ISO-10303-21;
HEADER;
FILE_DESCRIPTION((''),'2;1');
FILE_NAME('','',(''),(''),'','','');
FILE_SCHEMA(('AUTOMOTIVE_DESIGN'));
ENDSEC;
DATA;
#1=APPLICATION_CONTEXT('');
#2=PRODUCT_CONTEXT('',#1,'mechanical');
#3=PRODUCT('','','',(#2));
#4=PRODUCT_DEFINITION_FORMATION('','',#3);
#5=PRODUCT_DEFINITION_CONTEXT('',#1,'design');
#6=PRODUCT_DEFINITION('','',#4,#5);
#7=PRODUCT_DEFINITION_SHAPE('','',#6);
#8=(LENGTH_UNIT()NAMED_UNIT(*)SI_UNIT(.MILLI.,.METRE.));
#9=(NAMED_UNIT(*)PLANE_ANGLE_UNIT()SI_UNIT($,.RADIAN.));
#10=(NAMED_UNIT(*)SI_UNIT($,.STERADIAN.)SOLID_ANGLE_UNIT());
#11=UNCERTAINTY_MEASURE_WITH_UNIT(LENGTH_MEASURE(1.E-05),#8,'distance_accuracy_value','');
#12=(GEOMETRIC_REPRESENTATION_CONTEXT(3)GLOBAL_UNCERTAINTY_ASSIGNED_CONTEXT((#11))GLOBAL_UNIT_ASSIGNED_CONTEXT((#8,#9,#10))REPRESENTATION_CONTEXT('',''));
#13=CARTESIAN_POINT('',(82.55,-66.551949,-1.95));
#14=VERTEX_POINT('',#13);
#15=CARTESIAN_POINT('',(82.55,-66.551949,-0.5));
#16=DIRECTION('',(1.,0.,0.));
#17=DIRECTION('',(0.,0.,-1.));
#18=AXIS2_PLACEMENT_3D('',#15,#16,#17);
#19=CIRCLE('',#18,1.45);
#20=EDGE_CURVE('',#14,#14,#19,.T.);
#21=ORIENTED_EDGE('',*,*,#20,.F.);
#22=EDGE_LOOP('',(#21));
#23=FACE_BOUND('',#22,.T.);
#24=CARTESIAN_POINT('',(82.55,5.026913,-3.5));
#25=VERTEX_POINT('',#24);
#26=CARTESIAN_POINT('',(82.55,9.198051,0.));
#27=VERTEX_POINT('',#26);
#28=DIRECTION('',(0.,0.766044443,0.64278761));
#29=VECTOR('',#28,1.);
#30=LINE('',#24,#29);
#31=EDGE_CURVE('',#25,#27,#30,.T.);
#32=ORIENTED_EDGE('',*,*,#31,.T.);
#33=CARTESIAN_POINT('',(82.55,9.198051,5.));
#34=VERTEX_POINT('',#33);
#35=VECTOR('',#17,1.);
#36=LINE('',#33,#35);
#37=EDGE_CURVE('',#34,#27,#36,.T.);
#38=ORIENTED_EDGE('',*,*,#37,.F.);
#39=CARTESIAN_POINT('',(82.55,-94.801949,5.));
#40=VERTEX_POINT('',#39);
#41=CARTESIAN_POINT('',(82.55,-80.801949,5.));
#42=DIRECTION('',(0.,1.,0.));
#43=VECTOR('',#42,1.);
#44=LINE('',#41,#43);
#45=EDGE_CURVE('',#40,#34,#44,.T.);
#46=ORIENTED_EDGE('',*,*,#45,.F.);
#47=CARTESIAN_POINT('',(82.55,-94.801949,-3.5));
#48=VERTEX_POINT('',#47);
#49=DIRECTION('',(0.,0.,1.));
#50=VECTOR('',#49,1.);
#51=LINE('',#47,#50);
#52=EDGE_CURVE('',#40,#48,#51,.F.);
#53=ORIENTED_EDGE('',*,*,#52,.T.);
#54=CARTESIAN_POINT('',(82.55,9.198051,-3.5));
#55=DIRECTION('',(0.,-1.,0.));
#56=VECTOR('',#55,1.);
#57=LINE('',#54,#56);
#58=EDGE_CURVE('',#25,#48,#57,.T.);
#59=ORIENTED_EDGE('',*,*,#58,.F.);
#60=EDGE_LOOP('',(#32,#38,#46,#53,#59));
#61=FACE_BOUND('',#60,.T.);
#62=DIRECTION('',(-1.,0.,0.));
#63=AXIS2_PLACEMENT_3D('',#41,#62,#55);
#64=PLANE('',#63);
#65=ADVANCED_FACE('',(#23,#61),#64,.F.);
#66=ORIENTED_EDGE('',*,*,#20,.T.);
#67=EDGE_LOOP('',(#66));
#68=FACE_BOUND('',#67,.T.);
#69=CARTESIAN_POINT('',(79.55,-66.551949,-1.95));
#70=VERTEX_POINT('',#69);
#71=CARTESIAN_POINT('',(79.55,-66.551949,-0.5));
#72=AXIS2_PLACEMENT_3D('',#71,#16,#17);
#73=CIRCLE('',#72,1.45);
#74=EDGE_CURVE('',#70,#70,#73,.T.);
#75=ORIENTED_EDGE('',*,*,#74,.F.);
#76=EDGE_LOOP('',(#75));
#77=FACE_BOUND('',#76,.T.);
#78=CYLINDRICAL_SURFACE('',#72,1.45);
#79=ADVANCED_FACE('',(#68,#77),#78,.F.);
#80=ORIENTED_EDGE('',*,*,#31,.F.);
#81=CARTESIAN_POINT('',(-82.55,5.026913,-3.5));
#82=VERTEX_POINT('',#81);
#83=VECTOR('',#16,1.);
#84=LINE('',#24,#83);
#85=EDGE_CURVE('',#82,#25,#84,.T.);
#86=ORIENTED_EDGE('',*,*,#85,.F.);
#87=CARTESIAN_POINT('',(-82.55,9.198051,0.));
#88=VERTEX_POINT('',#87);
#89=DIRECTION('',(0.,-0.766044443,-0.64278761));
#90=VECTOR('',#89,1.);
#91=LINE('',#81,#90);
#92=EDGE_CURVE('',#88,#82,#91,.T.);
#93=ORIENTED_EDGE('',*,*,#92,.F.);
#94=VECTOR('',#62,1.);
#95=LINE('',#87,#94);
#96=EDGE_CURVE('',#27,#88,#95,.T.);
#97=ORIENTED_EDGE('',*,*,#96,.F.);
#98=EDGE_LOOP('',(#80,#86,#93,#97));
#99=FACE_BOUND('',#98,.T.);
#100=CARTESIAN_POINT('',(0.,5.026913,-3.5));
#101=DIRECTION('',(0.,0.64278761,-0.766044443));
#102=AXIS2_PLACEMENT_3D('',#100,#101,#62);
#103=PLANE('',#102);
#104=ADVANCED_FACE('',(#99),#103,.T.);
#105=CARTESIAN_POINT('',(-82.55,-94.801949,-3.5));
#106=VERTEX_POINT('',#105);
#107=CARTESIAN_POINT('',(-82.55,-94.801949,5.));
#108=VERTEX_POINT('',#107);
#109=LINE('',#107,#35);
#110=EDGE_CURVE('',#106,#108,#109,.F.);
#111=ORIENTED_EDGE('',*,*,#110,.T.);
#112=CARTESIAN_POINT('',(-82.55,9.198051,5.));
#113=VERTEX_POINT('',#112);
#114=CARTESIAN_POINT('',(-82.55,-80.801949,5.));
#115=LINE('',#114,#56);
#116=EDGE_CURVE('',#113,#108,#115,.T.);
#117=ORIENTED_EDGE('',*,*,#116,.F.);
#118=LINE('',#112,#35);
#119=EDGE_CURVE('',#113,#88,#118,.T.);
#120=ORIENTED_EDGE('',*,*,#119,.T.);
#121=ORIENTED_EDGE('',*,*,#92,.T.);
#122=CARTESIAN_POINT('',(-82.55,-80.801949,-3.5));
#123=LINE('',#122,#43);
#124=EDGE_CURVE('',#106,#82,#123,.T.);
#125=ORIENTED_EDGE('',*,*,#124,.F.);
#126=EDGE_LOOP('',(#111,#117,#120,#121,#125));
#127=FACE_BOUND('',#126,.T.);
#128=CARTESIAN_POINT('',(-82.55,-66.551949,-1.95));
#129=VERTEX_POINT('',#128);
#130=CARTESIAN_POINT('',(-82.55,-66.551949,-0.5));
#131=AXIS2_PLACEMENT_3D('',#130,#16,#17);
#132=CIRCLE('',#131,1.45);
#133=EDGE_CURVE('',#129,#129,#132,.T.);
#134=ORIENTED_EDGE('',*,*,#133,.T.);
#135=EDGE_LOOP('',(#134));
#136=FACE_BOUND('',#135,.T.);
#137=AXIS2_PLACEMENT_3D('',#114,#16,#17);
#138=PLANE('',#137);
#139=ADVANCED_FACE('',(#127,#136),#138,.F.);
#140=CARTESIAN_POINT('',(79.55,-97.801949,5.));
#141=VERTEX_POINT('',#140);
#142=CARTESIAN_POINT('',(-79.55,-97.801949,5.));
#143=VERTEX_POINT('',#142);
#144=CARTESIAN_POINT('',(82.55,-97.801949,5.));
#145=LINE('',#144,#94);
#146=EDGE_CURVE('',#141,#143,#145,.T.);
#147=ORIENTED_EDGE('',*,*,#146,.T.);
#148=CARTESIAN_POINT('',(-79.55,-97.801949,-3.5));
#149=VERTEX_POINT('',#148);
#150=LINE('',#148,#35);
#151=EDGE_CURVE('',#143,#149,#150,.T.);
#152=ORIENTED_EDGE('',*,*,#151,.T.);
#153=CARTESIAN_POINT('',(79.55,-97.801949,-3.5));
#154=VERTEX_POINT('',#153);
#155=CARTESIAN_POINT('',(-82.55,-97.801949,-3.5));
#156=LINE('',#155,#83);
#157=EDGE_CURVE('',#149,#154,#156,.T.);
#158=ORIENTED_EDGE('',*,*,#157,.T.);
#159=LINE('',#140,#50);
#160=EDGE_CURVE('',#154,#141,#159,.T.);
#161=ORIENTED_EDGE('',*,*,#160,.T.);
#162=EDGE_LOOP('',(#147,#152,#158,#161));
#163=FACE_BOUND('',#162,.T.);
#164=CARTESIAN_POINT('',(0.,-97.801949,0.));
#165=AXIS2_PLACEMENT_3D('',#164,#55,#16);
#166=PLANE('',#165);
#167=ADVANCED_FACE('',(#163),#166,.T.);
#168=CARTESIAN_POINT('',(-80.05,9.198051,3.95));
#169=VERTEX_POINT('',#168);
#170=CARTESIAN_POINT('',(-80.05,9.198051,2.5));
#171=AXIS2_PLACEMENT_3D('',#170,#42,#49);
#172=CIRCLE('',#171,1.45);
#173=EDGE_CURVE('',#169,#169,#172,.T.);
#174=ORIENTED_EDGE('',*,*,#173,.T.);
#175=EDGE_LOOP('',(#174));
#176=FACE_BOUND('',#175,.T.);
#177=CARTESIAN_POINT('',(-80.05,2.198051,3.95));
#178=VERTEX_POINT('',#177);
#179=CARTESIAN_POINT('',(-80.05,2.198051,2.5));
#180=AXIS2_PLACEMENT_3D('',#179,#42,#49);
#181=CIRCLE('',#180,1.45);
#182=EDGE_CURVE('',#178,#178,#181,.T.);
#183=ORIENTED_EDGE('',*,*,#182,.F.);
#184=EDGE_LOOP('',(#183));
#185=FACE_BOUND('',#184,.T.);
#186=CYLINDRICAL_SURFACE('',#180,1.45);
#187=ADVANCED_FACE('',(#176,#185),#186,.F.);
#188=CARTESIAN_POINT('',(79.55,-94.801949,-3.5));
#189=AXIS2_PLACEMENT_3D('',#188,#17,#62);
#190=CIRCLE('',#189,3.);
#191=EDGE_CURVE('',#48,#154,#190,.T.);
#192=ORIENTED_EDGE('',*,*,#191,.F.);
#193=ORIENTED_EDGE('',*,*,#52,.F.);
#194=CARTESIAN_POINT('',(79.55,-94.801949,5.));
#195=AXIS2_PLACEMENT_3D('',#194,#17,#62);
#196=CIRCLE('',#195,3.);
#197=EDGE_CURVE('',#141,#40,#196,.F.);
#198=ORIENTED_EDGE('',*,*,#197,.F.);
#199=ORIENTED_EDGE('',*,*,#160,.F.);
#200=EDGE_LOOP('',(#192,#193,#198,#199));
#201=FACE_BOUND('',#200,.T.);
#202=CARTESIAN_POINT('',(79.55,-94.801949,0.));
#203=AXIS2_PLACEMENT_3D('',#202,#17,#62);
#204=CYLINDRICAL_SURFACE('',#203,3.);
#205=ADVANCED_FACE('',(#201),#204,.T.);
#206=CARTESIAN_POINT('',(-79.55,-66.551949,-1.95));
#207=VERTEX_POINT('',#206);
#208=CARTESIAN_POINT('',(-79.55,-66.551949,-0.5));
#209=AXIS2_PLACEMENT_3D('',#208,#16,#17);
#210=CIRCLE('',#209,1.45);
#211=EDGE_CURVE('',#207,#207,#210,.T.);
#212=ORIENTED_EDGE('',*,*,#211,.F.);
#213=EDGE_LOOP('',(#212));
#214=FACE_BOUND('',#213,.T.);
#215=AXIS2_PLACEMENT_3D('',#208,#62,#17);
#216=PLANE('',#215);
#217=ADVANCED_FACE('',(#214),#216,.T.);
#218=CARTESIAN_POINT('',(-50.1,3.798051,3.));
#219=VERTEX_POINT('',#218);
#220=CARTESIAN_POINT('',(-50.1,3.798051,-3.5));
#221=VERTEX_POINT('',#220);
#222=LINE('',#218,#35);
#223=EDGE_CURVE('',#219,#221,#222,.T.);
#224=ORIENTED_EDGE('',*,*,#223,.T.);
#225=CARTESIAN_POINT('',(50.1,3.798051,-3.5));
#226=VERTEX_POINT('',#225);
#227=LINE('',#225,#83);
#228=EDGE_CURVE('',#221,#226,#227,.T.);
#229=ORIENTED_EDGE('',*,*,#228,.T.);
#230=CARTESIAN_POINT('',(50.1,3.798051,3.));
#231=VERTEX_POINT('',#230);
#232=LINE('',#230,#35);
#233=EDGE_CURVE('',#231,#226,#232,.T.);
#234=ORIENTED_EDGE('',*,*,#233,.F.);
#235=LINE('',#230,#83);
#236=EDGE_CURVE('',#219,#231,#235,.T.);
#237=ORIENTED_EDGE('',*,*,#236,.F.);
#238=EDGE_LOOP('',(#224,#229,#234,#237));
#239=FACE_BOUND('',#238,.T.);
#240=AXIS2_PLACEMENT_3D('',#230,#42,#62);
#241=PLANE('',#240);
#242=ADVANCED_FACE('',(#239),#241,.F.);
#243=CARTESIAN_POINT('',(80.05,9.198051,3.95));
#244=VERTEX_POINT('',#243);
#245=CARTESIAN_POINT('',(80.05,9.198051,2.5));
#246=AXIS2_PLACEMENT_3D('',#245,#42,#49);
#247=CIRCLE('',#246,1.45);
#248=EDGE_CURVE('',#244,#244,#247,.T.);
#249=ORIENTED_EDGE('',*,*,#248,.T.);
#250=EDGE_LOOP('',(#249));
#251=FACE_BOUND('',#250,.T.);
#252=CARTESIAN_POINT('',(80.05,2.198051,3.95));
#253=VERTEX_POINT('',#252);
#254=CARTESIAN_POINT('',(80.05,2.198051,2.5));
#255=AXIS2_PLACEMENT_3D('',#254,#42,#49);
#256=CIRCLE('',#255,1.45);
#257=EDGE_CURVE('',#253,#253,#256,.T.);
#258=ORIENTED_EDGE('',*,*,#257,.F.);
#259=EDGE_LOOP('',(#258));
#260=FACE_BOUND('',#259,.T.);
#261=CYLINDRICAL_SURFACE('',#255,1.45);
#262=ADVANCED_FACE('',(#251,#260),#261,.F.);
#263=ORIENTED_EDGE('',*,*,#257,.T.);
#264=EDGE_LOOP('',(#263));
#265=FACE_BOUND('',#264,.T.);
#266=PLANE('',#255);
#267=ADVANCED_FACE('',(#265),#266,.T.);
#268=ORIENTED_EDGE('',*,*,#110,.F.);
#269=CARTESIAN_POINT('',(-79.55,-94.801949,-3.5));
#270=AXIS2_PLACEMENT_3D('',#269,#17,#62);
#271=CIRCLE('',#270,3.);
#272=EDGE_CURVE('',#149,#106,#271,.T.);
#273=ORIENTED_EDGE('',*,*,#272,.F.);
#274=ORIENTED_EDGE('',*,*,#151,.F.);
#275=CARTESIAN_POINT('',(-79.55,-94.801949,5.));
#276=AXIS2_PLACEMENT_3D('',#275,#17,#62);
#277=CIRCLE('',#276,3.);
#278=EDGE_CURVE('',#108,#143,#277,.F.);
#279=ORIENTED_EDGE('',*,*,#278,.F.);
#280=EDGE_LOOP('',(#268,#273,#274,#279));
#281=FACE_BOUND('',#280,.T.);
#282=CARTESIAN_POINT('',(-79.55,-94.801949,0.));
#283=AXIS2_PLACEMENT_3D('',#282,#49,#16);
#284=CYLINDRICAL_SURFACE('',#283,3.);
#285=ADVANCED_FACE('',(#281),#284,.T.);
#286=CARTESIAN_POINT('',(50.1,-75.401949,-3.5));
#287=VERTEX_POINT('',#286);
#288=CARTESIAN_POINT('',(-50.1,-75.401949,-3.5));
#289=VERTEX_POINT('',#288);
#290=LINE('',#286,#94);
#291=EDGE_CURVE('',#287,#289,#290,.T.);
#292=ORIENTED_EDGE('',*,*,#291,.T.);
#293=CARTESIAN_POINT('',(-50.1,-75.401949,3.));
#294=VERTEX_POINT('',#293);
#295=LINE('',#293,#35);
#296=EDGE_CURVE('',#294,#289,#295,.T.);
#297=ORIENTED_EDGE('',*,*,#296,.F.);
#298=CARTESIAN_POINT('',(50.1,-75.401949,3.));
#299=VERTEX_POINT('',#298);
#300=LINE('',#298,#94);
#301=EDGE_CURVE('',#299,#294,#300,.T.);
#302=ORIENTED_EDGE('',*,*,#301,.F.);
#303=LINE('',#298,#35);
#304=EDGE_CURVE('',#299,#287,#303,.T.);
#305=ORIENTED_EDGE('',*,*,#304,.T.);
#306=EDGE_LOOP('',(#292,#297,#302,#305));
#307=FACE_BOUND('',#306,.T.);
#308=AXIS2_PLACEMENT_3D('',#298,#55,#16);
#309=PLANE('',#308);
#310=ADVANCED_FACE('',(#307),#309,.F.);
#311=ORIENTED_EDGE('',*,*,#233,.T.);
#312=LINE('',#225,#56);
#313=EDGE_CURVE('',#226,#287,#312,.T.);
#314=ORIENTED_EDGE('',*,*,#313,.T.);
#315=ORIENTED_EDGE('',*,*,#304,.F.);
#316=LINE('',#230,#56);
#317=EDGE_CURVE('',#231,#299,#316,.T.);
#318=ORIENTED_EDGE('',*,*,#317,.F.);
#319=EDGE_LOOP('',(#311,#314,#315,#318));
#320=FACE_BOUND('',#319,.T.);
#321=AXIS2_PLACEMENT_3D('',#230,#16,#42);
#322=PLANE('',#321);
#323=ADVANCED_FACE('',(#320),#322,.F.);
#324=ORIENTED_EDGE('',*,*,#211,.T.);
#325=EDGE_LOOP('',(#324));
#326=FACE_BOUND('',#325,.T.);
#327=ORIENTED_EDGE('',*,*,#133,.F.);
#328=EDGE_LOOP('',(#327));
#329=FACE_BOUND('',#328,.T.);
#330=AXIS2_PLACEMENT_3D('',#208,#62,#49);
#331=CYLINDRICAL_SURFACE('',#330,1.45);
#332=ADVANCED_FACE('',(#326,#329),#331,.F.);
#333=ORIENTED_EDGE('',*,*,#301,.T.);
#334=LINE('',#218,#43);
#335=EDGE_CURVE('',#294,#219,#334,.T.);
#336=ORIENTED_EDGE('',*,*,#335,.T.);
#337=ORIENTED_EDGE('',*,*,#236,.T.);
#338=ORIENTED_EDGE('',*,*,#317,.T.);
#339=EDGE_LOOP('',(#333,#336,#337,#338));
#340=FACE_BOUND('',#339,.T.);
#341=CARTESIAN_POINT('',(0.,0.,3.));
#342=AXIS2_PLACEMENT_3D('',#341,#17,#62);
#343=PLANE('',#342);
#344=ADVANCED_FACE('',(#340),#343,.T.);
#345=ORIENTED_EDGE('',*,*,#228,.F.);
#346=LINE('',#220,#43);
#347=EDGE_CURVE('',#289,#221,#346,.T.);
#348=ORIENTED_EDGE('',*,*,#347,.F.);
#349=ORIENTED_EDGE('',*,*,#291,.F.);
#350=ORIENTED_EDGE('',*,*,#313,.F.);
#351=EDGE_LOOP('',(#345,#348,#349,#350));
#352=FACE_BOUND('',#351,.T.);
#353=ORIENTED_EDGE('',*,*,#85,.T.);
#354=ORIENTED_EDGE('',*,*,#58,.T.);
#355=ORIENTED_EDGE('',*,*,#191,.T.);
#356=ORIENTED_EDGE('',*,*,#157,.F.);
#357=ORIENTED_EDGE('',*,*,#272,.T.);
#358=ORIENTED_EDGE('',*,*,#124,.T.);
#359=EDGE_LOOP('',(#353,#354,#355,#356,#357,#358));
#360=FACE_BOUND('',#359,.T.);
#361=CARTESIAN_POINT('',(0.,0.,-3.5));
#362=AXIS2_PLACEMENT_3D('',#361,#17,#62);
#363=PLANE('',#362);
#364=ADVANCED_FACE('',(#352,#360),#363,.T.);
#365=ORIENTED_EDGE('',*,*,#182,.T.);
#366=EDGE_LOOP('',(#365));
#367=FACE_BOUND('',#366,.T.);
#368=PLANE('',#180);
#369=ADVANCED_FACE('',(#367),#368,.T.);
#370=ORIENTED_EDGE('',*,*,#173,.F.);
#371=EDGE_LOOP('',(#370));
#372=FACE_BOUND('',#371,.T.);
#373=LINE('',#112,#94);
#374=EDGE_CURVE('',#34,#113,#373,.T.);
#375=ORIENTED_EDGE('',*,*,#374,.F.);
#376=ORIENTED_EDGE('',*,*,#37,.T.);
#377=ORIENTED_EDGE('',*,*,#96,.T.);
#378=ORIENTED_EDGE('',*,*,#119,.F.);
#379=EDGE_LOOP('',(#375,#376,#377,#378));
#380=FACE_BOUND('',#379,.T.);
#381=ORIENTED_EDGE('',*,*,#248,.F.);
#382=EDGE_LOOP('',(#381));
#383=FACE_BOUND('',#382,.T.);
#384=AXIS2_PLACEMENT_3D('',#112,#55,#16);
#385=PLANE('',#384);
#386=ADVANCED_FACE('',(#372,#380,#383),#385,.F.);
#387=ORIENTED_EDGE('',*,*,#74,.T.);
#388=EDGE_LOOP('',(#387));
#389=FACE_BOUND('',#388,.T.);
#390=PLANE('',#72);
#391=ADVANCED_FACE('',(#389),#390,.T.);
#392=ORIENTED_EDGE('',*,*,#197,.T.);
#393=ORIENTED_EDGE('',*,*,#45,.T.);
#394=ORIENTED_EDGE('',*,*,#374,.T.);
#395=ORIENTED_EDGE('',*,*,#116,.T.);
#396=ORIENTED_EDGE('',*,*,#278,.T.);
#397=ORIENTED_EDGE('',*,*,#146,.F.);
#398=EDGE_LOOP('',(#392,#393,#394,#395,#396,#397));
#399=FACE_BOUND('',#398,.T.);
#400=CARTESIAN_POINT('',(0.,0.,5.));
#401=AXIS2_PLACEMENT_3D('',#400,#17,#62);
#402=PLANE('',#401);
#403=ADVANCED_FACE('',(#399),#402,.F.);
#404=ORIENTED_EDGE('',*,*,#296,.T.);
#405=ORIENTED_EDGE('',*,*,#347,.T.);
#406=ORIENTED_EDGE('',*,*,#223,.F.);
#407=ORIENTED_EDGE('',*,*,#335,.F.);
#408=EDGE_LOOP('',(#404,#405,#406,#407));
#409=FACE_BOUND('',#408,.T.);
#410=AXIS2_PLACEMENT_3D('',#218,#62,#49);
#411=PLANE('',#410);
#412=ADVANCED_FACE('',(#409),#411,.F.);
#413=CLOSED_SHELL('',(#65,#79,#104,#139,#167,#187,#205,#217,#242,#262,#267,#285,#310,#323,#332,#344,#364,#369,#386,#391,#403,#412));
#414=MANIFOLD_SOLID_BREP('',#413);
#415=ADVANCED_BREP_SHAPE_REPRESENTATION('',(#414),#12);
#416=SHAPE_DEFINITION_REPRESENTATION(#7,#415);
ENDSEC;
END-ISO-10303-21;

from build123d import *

# Parameters (mm, degrees)
SKETCH1_W           = 165.1
SKETCH1_H           = 90
BOSS_EXTRUDE1_DEPTH = 5
SKETCH2_R           = 1.45
CUT_EXTRUDE1_DEPTH  = 7
SKETCH4_W           = 165.1
SKETCH4_H           = 90
BOSS_EXTRUDE2_DEPTH = 3.5
CHAMFER1_SIZE       = 3.5
CHAMFER1_SIZE2      = 4.171137574
SKETCH5_W           = 100.2
SKETCH5_H           = 79.2
CUT_EXTRUDE3_DEPTH  = 6.5
SKETCH8_R           = 1.45
CUT_EXTRUDE5_DEPTH  = 3
SKETCH10_W          = 165.1
SKETCH10_H          = 8.5
BOSS_EXTRUDE4_DEPTH = 17
FILLET1_R           = 3


with BuildPart() as part:
    # Sketch1 → Boss-Extrude1 (new body)
    with BuildSketch(Plane.XY):
        with Locations((0, -35.801949153)):
            Rectangle(SKETCH1_W, SKETCH1_H)
    extrude(amount=BOSS_EXTRUDE1_DEPTH)

    # Sketch2 → Cut-Extrude1 (cut)
    with BuildSketch(Plane(origin=(0, 9.198050847, 0), x_dir=(1, 0, 0), z_dir=(0, 1, 0))):
        with Locations(Location((-80.05, -2.5, 0), (0, 0, 270))):
            Circle(SKETCH2_R)
        with Locations(Location((80.05, -2.5, 0), (0, 0, 270))):
            Circle(SKETCH2_R)
    extrude(amount=-CUT_EXTRUDE1_DEPTH, mode=Mode.SUBTRACT)

    # Sketch4 → Boss-Extrude2 (add)
    with BuildSketch(Plane(origin=(0, 0, 0), x_dir=(-1, 0, 0), z_dir=(0, 0, -1))):
        with Locations((0, -35.801949153)):
            Rectangle(SKETCH4_W, SKETCH4_H)
    extrude(amount=BOSS_EXTRUDE2_DEPTH)

    # Chamfer1
    chamfer1_edges = [part.edges().sort_by_distance(p)[0] for p in [
        (0, 9.198050847, -3.5),
    ]]
    chamfer1_side = [part.faces().sort_by_distance(p)[0] for p in [
        (0, 9.198050847, 0.733369875),
    ]]
    chamfer(chamfer1_edges, length=CHAMFER1_SIZE, length2=CHAMFER1_SIZE2, reference=chamfer1_side[0])

    # Sketch5 → Cut-Extrude3 (cut)
    with BuildSketch(Plane(origin=(0, 0, -3.5), x_dir=(-1, 0, 0), z_dir=(0, 0, -1))):
        with Locations((0, -35.801949153)):
            Rectangle(SKETCH5_W, SKETCH5_H)
    extrude(amount=-CUT_EXTRUDE3_DEPTH, mode=Mode.SUBTRACT)

    # Sketch8 → Cut-Extrude5 (cut)
    with BuildSketch(Plane(origin=(82.55, 0, 0), x_dir=(0, 0, -1), z_dir=(1, 0, 0))):
        with Locations((0.5, -66.551949153)):
            Circle(SKETCH8_R)
    cut_extrude5 = extrude(amount=-CUT_EXTRUDE5_DEPTH, mode=Mode.SUBTRACT)

    # Mirror2: Cut-Extrude5 across plane
    add(cut_extrude5.mirror(Plane(origin=(0, 0, 0), x_dir=(0, 0, 1), z_dir=(1, 0, 0))), mode=Mode.SUBTRACT)

    # Sketch10 → Boss-Extrude4 (add)
    with BuildSketch(Plane.XZ.offset(80.801949153)):
        with Locations((0, 0.75)):
            Rectangle(SKETCH10_W, SKETCH10_H)
    extrude(amount=BOSS_EXTRUDE4_DEPTH)

    # Fillet1
    fillet1_edges = [part.edges().sort_by_distance(p)[0] for p in [
        (-82.55, -97.801949153, 0.75),
        (82.55, -97.801949153, 0.75),
    ]]
    fillet(fillet1_edges, radius=FILLET1_R)


solid = part.part
